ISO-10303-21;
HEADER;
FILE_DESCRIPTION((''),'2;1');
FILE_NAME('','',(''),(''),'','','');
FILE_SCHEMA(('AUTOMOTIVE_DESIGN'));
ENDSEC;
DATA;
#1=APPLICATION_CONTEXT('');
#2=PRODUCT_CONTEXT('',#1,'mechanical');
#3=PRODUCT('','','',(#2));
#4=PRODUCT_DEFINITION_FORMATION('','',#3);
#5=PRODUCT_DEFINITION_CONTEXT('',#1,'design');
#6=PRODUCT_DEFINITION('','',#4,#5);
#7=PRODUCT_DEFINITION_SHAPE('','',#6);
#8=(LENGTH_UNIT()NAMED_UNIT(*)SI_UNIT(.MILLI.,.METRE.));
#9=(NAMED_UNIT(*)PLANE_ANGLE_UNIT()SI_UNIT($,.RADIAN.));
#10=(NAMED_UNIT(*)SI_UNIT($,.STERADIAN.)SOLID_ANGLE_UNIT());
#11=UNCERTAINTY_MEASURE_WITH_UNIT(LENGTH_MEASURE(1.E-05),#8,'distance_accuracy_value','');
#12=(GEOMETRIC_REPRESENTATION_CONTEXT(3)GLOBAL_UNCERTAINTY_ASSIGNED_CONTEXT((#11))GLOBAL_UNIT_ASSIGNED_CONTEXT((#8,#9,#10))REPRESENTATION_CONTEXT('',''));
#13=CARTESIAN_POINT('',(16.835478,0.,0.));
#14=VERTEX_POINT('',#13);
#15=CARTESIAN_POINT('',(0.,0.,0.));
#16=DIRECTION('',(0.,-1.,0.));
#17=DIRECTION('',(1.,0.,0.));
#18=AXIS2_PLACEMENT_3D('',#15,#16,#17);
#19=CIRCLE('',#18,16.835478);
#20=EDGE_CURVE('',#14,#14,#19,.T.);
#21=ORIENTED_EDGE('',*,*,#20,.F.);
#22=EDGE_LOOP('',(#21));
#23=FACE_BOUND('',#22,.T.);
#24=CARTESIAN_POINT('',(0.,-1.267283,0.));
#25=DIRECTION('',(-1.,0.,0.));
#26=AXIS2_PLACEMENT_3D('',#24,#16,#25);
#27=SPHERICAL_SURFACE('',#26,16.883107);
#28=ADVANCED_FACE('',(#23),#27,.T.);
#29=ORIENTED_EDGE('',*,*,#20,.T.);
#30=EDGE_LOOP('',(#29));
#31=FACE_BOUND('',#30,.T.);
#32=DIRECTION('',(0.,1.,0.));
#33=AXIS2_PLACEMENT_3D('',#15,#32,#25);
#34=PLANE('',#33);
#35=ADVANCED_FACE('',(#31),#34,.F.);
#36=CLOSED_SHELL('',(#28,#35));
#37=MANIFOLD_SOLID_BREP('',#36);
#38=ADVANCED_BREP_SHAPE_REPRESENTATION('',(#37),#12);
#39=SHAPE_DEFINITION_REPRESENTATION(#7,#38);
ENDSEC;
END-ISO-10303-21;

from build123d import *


with BuildPart() as part:
    # Sketch1 one side → Revolve1 (revolve)
    with BuildSketch(Plane.XY):
        with BuildLine():
            ThreePointArc((0, 15.615824185), (-11.481368286, 11.110822333), (-16.835477596, 0))
            Line((-16.835477596, 0), (0, 0))
            Line((0, 0), (0, 15.615824185))
        make_face()
    revolve(axis=Axis((0, 0, 0), (0, 1, 0)))


solid = part.part
